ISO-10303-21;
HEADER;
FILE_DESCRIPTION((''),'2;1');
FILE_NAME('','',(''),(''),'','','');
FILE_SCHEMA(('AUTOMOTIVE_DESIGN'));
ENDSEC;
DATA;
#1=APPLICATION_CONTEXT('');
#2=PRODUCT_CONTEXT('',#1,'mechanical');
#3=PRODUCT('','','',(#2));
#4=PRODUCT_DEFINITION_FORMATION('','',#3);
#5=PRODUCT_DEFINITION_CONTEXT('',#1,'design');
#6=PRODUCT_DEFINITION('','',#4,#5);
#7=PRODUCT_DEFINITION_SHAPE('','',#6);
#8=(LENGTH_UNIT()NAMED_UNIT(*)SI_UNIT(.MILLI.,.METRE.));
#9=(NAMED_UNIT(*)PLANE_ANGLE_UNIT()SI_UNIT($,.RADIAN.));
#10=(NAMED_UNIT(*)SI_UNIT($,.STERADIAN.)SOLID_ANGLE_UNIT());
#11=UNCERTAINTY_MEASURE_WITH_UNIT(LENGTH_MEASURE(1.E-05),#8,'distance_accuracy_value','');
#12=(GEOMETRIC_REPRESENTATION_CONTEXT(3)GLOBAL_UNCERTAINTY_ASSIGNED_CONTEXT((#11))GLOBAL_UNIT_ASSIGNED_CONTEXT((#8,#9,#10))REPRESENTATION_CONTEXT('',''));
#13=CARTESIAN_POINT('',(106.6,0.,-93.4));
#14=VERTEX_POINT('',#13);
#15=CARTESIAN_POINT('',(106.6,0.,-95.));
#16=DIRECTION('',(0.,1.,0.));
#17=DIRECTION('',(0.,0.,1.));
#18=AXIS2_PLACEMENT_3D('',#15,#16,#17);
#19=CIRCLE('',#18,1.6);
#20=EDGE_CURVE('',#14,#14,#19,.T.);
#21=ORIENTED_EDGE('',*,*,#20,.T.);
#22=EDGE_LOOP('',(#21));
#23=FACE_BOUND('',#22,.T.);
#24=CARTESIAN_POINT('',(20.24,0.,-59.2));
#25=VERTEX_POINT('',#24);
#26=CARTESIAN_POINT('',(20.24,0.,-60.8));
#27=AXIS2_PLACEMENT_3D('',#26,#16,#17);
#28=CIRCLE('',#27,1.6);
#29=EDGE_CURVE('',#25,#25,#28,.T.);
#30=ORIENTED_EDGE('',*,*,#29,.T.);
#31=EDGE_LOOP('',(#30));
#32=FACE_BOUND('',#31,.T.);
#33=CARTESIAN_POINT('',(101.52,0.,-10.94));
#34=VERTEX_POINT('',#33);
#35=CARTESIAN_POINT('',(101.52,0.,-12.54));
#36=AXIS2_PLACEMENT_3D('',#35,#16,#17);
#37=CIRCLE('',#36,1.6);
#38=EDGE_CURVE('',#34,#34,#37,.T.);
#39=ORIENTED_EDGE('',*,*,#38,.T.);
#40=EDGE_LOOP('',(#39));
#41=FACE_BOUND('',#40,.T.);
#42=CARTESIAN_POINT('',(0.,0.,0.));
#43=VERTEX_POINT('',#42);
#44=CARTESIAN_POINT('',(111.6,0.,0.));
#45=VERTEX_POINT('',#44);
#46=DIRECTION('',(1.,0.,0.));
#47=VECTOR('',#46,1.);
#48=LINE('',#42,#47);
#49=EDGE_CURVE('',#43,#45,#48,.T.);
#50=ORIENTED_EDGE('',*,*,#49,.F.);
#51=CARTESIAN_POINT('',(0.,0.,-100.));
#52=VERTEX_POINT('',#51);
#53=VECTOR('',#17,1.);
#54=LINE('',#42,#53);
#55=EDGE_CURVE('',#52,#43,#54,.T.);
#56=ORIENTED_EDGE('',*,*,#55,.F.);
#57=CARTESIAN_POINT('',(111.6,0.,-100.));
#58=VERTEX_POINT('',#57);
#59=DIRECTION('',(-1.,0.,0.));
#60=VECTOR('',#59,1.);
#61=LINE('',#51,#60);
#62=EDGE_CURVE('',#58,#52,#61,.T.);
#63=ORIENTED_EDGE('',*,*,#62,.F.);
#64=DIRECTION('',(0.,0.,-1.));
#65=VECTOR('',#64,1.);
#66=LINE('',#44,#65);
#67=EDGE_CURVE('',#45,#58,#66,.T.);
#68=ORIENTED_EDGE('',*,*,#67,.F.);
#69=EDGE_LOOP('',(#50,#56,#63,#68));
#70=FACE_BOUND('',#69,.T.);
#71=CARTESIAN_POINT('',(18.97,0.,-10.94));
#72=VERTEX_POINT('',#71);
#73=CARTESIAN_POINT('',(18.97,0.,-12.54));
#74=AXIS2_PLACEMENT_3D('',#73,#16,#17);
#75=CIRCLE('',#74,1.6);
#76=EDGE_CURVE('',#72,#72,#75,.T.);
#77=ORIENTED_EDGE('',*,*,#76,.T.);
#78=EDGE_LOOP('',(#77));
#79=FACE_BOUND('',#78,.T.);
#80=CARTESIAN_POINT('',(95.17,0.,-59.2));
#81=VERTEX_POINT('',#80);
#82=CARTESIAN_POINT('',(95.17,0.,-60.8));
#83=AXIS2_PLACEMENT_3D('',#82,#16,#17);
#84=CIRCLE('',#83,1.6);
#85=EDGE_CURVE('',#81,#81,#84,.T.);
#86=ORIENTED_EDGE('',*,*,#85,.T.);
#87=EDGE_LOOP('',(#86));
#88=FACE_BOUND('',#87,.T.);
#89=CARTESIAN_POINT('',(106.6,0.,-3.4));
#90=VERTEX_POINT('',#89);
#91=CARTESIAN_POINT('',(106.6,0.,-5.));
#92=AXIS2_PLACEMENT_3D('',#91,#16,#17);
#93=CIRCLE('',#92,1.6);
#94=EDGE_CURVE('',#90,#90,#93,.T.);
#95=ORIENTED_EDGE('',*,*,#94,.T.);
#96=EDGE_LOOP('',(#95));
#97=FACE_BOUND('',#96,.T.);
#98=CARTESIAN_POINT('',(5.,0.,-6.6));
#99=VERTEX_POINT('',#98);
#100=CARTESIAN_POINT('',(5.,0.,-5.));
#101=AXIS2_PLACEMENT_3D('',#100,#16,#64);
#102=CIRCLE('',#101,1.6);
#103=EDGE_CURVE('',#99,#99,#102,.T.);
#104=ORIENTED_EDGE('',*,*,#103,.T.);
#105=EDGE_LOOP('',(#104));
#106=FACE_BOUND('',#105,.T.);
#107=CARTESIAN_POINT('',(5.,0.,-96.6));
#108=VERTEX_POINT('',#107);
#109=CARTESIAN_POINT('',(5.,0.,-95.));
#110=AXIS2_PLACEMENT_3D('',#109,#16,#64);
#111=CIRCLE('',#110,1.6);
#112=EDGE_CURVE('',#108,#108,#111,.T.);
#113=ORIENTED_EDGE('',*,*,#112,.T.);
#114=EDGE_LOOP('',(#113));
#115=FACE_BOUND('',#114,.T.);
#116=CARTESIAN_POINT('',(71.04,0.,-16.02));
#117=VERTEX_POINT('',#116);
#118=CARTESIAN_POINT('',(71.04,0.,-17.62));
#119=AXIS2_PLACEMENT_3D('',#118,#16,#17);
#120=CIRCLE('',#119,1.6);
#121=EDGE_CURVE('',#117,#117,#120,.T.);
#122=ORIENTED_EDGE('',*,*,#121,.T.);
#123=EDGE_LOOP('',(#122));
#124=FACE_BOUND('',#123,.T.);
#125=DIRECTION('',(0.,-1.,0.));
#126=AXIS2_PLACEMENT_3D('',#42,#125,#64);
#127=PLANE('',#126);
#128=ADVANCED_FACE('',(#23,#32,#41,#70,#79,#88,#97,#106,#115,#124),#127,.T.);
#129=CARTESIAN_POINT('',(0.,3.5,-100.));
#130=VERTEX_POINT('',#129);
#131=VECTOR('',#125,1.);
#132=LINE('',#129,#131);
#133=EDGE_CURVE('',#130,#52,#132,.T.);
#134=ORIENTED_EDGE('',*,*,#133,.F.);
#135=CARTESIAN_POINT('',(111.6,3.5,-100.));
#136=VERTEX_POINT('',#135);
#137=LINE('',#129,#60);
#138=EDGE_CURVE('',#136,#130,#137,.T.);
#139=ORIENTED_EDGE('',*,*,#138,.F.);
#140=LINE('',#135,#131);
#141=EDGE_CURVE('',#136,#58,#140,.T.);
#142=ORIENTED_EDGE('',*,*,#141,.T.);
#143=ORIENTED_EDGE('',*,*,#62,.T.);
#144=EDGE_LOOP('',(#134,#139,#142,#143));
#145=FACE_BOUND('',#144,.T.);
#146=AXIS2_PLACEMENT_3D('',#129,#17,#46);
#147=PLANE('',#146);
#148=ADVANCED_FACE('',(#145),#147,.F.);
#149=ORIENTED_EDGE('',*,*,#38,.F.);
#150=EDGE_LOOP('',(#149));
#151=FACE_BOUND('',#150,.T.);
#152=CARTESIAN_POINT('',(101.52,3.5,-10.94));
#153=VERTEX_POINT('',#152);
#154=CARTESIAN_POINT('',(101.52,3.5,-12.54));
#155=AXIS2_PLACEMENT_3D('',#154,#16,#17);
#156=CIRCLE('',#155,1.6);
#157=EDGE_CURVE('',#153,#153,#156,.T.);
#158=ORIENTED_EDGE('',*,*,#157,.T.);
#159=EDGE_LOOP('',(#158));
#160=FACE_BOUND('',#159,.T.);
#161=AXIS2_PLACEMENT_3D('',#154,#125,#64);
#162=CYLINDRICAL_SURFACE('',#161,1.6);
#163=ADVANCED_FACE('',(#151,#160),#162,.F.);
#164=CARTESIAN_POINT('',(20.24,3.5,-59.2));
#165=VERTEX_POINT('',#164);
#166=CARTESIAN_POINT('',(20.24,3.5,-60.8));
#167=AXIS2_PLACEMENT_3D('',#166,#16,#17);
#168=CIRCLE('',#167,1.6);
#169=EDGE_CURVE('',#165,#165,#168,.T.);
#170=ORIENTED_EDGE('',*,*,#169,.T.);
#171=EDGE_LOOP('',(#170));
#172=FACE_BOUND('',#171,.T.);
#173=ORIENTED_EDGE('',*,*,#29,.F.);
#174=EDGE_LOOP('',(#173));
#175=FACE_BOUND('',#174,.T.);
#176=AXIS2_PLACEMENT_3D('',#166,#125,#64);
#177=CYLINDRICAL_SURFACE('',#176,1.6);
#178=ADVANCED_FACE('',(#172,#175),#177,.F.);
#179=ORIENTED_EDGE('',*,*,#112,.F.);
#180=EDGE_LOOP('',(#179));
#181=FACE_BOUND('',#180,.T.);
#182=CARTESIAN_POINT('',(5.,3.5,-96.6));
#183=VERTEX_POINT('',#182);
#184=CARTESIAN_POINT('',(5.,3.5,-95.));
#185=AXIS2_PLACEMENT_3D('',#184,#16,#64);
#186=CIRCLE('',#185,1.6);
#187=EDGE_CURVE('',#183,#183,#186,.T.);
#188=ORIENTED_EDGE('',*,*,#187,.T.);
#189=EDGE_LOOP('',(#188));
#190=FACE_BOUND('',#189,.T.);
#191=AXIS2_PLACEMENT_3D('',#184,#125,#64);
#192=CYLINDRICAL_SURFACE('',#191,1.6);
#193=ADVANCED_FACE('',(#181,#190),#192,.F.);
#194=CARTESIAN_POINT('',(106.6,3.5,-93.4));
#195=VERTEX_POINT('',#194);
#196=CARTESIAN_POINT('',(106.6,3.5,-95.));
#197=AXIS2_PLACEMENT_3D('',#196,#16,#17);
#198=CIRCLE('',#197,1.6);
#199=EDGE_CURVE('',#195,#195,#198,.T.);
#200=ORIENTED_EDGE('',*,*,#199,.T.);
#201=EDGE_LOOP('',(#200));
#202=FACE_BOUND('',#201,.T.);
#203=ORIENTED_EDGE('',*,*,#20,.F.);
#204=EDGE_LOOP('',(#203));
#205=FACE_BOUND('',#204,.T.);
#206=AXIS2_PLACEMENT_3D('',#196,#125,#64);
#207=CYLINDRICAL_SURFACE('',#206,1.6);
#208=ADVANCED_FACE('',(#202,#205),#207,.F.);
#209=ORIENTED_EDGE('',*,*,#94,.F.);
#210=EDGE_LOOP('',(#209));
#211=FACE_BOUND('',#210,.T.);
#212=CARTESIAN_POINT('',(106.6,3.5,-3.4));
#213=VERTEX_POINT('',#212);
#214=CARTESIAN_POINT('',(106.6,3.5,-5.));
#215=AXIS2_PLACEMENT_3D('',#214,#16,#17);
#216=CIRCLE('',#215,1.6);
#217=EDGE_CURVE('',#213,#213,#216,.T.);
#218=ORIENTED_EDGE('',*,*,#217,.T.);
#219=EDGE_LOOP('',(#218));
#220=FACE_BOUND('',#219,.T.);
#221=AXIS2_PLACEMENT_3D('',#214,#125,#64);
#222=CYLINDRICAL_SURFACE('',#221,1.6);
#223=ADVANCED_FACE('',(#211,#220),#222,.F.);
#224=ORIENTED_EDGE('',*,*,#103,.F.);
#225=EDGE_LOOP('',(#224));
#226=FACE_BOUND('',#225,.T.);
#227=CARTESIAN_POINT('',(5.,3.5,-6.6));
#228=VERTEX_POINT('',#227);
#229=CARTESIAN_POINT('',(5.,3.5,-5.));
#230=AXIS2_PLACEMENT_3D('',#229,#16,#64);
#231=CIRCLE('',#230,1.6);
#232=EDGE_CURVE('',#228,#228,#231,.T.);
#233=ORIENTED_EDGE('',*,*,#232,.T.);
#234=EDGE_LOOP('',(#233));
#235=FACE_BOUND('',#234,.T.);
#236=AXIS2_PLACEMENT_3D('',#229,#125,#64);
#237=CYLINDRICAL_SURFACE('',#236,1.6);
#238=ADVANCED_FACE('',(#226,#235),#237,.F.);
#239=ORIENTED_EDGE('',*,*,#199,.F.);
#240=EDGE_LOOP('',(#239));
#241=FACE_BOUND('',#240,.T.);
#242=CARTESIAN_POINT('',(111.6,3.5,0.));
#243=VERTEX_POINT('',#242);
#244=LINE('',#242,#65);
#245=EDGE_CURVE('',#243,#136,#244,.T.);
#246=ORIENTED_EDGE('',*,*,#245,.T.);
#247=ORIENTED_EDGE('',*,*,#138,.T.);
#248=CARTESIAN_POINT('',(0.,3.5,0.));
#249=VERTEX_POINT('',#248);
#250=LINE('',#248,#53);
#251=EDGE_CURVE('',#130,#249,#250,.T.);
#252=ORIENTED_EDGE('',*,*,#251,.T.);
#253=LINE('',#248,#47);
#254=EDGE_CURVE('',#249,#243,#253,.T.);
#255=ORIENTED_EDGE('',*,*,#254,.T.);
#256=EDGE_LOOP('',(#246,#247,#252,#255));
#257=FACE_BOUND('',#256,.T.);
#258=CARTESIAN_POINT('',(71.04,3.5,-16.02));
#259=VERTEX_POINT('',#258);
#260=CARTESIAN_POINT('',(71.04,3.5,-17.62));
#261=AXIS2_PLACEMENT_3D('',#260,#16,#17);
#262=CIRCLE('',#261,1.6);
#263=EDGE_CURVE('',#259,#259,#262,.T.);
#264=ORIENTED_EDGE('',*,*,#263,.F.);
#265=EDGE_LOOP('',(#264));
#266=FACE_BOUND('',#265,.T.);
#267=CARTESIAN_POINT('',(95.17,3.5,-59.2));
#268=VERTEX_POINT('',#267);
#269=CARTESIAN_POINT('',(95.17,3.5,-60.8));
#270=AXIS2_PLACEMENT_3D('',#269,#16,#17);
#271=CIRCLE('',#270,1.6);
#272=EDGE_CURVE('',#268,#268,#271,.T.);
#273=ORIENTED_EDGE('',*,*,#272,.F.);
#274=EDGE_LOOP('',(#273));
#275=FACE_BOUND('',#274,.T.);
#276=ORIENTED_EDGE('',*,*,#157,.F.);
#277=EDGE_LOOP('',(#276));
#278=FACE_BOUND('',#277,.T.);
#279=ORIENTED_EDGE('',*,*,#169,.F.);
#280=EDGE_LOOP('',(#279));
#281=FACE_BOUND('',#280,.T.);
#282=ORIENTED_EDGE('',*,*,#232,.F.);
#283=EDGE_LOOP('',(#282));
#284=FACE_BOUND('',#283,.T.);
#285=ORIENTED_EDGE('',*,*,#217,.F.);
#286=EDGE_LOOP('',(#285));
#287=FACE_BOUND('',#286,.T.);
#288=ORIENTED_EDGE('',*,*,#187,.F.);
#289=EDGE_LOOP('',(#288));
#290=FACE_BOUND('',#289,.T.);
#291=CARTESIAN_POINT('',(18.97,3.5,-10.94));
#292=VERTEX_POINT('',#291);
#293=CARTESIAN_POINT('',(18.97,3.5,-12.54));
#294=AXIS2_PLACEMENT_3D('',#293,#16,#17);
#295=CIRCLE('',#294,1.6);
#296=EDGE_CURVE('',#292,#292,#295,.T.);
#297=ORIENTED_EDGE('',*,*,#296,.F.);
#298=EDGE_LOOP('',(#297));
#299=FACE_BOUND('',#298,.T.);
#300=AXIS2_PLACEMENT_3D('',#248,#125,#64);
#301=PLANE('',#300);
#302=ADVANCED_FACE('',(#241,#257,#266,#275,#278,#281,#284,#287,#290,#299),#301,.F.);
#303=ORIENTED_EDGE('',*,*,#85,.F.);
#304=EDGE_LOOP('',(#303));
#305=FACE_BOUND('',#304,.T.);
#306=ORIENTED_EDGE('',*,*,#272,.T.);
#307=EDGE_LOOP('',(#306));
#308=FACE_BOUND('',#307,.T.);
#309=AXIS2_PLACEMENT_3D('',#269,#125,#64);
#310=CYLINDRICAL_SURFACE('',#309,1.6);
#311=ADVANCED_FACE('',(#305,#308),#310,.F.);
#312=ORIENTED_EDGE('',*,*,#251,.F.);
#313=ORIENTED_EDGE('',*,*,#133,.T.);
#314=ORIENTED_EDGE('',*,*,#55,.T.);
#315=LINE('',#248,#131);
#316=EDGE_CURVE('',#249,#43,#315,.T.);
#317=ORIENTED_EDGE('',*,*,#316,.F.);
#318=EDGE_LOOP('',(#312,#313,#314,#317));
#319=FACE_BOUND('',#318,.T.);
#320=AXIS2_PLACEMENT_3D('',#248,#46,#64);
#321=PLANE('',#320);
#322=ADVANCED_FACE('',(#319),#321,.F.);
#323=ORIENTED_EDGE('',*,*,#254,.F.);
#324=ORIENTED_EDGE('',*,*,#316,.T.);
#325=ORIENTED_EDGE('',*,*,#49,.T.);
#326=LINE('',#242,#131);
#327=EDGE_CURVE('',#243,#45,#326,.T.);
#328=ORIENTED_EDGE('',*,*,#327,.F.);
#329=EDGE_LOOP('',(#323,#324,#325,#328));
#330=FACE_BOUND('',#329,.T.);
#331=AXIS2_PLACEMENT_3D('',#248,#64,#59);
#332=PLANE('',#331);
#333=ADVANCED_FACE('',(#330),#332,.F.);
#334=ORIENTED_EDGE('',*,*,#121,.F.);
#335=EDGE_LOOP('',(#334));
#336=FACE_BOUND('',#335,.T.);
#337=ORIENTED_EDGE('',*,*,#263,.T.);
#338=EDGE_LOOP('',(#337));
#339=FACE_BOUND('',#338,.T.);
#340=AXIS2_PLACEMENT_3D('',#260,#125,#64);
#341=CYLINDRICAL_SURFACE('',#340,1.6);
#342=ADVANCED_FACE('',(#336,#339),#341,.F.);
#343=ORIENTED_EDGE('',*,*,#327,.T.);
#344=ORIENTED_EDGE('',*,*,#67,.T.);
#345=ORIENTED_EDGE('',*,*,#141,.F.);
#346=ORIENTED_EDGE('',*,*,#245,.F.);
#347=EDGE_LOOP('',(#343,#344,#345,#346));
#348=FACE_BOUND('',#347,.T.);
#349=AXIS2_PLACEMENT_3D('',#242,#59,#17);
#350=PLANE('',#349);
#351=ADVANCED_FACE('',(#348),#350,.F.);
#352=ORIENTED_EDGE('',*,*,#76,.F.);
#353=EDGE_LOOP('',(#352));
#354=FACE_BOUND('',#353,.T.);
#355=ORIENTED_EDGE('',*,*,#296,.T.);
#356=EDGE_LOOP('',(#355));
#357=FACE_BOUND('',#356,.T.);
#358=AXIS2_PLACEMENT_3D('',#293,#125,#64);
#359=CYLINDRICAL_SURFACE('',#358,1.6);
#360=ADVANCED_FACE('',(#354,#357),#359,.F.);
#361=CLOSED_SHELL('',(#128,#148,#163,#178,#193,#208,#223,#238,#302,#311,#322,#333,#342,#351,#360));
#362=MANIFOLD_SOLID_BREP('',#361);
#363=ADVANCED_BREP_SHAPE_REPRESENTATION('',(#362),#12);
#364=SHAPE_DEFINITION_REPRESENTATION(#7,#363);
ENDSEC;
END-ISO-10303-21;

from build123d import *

# Parameters (mm, degrees)
SKETCH1_W           = 111.6
SKETCH1_H           = 100
SKETCH1_R           = 1.6
BOSS_EXTRUDE1_DEPTH = 3.5


with BuildPart() as part:
    # Sketch1 → Boss-Extrude1 (new body)
    with BuildSketch(Plane(origin=(0, 0, 0), x_dir=(1, 0, 0), z_dir=(0, 1, 0))):
        with Locations((55.8, 50)):
            Rectangle(SKETCH1_W, SKETCH1_H)
        with Locations(Location((20.24, 60.8, 0), (0, 0, 270))):
            Circle(SKETCH1_R, mode=Mode.SUBTRACT)
        with Locations(Location((18.97, 12.54, 0), (0, 0, 270))):
            Circle(SKETCH1_R, mode=Mode.SUBTRACT)
        with Locations(Location((71.04, 17.62, 0), (0, 0, 270))):
            Circle(SKETCH1_R, mode=Mode.SUBTRACT)
        with Locations(Location((101.52, 12.54, 0), (0, 0, 270))):
            Circle(SKETCH1_R, mode=Mode.SUBTRACT)
        with Locations(Location((95.17, 60.8, 0), (0, 0, 270))):
            Circle(SKETCH1_R, mode=Mode.SUBTRACT)
        with Locations(Location((106.6, 5, 0), (0, 0, 270))):
            Circle(SKETCH1_R, mode=Mode.SUBTRACT)
        with Locations(Location((106.6, 95, 0), (0, 0, 270))):
            Circle(SKETCH1_R, mode=Mode.SUBTRACT)
        with Locations(Location((5, 5, 0), (0, 0, 90))):
            Circle(SKETCH1_R, mode=Mode.SUBTRACT)
        with Locations(Location((5, 95, 0), (0, 0, 90))):
            Circle(SKETCH1_R, mode=Mode.SUBTRACT)
    extrude(amount=BOSS_EXTRUDE1_DEPTH)


solid = part.part
